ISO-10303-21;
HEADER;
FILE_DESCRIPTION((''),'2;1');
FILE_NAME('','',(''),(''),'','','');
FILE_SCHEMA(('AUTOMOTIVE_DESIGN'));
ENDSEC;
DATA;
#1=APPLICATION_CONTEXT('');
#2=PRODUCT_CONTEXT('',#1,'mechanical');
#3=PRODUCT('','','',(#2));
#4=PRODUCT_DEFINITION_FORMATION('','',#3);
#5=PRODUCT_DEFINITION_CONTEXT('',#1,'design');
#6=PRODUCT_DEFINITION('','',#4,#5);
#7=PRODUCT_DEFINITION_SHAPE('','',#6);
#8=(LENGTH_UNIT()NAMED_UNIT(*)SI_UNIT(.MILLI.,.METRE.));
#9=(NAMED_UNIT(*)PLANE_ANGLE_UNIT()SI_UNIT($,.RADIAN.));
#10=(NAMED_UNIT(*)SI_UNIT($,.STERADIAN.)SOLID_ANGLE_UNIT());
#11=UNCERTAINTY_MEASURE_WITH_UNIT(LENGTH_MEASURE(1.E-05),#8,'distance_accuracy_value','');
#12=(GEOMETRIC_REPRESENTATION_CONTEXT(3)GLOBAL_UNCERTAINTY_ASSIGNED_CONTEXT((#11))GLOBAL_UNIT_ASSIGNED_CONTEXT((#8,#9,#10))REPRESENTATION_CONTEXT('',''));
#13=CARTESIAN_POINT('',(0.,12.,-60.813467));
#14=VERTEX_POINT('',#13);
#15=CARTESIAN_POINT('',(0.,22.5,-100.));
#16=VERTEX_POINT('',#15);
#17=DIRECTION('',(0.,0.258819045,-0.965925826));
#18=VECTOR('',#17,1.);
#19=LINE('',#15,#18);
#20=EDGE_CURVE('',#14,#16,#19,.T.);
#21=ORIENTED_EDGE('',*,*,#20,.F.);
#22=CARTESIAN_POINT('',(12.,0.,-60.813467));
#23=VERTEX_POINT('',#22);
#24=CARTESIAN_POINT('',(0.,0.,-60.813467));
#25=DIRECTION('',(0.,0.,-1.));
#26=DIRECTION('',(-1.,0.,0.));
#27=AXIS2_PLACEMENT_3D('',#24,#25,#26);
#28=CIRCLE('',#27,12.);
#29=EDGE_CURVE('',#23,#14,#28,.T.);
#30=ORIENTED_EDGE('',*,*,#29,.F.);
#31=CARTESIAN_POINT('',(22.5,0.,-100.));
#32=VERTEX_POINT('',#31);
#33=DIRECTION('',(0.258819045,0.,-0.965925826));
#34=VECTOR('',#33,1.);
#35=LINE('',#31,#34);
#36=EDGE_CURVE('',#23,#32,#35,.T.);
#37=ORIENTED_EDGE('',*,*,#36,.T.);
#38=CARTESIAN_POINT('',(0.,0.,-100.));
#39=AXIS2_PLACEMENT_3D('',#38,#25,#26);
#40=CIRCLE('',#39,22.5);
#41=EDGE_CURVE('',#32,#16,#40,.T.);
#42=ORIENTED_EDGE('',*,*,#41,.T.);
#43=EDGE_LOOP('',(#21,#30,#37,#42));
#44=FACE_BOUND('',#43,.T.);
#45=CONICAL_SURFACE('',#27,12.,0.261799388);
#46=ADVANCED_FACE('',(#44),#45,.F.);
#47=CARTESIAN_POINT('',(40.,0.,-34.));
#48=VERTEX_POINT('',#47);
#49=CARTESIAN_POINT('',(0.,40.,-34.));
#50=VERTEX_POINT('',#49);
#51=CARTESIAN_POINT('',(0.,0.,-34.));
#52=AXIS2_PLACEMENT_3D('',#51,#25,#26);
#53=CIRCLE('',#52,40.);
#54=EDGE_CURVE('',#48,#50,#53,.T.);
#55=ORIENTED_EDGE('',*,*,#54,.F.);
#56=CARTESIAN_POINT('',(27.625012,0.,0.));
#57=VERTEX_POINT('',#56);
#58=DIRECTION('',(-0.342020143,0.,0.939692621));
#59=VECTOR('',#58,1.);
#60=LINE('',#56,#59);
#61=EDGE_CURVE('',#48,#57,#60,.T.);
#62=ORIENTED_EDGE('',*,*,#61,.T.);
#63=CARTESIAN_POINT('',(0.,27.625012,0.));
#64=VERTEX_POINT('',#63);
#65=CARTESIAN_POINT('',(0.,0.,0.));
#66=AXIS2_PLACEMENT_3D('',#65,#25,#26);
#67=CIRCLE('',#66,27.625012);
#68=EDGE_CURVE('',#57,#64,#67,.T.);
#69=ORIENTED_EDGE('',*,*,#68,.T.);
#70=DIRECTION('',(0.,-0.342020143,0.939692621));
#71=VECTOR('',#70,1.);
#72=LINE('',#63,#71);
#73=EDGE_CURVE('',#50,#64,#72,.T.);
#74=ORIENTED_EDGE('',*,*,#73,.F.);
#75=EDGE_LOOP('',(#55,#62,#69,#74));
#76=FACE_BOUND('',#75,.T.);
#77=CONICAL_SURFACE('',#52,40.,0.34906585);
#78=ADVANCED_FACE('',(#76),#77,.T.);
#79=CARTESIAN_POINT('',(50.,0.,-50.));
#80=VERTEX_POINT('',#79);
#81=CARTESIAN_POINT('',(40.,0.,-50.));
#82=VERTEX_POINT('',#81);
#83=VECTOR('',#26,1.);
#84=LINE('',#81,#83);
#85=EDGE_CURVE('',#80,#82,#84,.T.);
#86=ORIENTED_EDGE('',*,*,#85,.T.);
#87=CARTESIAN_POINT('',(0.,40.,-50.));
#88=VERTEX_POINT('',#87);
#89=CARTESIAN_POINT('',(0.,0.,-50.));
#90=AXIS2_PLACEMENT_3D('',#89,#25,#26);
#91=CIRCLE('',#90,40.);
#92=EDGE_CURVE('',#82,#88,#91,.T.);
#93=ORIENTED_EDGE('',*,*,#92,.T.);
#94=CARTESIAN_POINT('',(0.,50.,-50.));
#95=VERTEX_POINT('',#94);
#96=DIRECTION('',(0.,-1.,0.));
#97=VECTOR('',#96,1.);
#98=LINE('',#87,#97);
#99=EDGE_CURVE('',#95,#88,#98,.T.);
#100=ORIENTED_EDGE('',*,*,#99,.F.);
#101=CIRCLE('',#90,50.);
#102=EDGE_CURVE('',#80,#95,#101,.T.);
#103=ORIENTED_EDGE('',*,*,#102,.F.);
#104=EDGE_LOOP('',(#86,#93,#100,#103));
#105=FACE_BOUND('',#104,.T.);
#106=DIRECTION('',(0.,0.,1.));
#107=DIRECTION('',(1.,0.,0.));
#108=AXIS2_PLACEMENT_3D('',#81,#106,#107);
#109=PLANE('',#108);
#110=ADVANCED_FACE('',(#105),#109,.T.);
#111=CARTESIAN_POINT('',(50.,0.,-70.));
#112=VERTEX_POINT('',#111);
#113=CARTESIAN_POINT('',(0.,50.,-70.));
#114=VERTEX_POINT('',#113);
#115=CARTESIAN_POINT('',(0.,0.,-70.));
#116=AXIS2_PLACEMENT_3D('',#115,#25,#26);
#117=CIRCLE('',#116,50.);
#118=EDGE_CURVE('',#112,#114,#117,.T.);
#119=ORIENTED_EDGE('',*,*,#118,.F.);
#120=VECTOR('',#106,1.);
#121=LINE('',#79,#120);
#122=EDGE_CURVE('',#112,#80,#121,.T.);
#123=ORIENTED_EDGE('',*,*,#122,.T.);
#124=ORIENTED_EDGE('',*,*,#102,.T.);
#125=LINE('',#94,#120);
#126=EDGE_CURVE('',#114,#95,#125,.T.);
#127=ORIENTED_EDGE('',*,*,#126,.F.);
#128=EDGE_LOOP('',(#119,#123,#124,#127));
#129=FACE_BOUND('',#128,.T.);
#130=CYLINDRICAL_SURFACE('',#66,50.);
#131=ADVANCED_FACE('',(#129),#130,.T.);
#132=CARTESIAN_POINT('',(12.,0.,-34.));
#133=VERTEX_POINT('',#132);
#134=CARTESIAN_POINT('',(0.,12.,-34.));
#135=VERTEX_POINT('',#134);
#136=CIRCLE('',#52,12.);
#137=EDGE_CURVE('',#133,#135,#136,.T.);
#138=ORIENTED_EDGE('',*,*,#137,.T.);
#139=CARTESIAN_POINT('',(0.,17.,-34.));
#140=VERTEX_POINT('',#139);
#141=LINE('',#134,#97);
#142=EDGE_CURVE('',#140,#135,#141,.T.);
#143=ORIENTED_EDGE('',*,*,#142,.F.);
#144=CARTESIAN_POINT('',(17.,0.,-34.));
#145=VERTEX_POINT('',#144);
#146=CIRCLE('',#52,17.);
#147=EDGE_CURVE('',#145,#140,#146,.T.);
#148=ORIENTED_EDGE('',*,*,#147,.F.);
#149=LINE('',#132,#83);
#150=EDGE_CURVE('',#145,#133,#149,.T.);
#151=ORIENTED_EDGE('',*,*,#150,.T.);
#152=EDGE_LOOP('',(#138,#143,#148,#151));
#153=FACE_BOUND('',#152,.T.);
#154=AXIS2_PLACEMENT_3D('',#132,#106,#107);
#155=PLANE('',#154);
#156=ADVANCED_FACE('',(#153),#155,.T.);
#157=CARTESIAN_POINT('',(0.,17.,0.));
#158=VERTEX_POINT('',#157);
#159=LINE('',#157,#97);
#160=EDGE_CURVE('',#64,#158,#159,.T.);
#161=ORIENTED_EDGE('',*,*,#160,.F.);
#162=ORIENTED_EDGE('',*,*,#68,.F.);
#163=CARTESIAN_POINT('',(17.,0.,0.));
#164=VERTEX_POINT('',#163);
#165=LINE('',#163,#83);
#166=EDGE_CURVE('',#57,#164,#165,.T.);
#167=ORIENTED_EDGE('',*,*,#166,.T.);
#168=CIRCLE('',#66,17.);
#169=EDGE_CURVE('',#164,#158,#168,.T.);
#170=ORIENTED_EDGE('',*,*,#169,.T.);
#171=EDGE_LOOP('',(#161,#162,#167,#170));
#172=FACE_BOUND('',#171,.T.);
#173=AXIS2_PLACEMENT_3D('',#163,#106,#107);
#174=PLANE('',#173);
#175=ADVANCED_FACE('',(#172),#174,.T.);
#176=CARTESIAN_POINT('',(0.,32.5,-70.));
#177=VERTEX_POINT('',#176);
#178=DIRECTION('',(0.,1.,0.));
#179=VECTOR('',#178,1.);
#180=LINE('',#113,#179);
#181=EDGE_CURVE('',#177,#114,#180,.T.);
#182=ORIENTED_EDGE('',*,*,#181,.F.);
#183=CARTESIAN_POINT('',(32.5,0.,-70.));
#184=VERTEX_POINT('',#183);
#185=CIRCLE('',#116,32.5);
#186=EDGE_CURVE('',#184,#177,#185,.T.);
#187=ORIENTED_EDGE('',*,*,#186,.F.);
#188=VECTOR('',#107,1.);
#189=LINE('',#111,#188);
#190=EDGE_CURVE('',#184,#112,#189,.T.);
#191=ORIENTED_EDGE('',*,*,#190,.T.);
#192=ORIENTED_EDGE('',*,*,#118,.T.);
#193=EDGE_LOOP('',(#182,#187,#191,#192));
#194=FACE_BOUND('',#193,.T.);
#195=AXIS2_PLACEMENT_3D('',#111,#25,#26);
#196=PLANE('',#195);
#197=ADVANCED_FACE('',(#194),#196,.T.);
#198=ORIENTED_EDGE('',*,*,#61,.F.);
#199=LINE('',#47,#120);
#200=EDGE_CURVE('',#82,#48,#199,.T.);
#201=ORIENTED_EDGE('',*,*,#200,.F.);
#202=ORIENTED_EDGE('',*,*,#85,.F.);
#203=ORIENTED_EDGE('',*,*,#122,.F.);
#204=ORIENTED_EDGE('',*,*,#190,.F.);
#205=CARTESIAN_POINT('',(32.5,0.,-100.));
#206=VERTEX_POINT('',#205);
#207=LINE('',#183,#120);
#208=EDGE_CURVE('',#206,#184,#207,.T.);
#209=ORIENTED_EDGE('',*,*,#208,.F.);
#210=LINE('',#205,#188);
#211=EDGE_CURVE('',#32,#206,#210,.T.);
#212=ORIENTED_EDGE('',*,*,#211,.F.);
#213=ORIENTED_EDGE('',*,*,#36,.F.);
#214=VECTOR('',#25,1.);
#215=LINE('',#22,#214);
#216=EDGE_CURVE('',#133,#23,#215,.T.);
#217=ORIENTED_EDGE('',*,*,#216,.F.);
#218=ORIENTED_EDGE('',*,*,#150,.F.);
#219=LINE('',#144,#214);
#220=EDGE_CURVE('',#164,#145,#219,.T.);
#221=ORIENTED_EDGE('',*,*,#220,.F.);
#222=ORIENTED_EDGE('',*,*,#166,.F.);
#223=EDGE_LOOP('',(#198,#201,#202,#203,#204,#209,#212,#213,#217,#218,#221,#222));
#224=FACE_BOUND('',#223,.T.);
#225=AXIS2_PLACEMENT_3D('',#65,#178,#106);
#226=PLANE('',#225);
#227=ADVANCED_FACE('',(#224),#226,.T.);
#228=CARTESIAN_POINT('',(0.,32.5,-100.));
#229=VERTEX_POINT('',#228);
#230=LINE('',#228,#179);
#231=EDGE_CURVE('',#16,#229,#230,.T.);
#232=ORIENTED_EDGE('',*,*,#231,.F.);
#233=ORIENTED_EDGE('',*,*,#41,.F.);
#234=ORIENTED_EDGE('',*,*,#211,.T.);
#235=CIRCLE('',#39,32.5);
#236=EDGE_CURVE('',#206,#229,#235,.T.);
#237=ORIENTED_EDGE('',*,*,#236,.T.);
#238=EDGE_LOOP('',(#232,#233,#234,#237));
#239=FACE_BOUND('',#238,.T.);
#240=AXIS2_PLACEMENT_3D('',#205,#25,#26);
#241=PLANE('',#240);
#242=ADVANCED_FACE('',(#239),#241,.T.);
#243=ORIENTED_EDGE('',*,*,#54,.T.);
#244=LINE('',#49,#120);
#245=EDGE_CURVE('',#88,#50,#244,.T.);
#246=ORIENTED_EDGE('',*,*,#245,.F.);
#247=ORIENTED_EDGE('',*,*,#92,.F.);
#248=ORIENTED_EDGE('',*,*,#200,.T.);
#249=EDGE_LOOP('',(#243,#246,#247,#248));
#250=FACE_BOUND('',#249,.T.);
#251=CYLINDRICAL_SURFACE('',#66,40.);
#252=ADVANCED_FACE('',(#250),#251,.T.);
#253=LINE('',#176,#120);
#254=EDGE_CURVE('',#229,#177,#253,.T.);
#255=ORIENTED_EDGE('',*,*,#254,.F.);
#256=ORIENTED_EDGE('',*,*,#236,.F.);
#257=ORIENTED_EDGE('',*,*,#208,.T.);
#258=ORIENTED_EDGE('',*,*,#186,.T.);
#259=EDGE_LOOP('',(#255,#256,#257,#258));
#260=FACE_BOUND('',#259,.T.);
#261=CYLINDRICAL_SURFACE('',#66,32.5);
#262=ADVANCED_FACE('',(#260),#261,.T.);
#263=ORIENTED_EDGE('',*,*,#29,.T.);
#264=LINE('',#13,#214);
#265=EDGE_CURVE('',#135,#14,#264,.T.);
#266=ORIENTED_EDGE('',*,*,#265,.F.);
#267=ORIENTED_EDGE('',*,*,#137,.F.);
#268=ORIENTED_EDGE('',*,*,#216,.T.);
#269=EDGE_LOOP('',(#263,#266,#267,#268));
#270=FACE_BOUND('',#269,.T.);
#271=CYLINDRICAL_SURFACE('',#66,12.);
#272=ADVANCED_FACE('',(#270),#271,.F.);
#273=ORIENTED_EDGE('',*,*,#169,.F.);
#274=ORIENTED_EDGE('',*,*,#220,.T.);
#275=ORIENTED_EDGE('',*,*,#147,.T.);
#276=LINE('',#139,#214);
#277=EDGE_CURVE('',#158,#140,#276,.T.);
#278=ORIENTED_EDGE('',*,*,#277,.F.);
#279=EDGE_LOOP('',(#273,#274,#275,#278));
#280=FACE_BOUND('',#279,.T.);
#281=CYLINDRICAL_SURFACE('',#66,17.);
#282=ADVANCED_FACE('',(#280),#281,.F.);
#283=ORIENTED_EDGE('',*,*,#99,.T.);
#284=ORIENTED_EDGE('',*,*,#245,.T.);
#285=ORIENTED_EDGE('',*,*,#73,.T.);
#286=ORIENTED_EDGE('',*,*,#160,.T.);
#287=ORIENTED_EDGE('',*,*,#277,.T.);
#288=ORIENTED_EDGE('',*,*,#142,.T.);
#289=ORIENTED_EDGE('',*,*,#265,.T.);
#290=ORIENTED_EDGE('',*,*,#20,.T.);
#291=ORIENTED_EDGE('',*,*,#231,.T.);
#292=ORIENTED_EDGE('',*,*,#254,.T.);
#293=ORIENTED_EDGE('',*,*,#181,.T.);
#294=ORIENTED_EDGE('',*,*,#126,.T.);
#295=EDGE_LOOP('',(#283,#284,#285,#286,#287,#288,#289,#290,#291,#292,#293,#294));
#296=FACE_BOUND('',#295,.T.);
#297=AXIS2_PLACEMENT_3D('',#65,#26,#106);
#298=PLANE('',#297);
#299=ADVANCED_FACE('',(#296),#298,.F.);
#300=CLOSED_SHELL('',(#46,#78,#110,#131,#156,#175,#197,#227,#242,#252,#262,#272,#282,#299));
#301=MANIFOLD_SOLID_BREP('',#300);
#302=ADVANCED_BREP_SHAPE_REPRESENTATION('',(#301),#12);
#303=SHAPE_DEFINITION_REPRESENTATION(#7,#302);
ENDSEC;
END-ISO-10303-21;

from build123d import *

# Parameters (mm, degrees)
REVOLVE1_ANGLE = 270


with BuildPart() as part:
    # Sketch1 → Revolve1 (revolve)
    with BuildSketch(Plane(origin=(0, 0, 0), x_dir=(0, 0, -1), z_dir=(1, 0, 0))):
        Polygon((0, 17), (0, 27.625012035), (34, 40), (50, 40), (50, 50), (70, 50), (70, 32.5), (100, 32.5), (100, 22.5), (60.813466521, 12), (34, 12), (34, 17), align=None)
    revolve(axis=Axis((0, 0, 0), (0, 0, 1)), revolution_arc=REVOLVE1_ANGLE)


solid = part.part
